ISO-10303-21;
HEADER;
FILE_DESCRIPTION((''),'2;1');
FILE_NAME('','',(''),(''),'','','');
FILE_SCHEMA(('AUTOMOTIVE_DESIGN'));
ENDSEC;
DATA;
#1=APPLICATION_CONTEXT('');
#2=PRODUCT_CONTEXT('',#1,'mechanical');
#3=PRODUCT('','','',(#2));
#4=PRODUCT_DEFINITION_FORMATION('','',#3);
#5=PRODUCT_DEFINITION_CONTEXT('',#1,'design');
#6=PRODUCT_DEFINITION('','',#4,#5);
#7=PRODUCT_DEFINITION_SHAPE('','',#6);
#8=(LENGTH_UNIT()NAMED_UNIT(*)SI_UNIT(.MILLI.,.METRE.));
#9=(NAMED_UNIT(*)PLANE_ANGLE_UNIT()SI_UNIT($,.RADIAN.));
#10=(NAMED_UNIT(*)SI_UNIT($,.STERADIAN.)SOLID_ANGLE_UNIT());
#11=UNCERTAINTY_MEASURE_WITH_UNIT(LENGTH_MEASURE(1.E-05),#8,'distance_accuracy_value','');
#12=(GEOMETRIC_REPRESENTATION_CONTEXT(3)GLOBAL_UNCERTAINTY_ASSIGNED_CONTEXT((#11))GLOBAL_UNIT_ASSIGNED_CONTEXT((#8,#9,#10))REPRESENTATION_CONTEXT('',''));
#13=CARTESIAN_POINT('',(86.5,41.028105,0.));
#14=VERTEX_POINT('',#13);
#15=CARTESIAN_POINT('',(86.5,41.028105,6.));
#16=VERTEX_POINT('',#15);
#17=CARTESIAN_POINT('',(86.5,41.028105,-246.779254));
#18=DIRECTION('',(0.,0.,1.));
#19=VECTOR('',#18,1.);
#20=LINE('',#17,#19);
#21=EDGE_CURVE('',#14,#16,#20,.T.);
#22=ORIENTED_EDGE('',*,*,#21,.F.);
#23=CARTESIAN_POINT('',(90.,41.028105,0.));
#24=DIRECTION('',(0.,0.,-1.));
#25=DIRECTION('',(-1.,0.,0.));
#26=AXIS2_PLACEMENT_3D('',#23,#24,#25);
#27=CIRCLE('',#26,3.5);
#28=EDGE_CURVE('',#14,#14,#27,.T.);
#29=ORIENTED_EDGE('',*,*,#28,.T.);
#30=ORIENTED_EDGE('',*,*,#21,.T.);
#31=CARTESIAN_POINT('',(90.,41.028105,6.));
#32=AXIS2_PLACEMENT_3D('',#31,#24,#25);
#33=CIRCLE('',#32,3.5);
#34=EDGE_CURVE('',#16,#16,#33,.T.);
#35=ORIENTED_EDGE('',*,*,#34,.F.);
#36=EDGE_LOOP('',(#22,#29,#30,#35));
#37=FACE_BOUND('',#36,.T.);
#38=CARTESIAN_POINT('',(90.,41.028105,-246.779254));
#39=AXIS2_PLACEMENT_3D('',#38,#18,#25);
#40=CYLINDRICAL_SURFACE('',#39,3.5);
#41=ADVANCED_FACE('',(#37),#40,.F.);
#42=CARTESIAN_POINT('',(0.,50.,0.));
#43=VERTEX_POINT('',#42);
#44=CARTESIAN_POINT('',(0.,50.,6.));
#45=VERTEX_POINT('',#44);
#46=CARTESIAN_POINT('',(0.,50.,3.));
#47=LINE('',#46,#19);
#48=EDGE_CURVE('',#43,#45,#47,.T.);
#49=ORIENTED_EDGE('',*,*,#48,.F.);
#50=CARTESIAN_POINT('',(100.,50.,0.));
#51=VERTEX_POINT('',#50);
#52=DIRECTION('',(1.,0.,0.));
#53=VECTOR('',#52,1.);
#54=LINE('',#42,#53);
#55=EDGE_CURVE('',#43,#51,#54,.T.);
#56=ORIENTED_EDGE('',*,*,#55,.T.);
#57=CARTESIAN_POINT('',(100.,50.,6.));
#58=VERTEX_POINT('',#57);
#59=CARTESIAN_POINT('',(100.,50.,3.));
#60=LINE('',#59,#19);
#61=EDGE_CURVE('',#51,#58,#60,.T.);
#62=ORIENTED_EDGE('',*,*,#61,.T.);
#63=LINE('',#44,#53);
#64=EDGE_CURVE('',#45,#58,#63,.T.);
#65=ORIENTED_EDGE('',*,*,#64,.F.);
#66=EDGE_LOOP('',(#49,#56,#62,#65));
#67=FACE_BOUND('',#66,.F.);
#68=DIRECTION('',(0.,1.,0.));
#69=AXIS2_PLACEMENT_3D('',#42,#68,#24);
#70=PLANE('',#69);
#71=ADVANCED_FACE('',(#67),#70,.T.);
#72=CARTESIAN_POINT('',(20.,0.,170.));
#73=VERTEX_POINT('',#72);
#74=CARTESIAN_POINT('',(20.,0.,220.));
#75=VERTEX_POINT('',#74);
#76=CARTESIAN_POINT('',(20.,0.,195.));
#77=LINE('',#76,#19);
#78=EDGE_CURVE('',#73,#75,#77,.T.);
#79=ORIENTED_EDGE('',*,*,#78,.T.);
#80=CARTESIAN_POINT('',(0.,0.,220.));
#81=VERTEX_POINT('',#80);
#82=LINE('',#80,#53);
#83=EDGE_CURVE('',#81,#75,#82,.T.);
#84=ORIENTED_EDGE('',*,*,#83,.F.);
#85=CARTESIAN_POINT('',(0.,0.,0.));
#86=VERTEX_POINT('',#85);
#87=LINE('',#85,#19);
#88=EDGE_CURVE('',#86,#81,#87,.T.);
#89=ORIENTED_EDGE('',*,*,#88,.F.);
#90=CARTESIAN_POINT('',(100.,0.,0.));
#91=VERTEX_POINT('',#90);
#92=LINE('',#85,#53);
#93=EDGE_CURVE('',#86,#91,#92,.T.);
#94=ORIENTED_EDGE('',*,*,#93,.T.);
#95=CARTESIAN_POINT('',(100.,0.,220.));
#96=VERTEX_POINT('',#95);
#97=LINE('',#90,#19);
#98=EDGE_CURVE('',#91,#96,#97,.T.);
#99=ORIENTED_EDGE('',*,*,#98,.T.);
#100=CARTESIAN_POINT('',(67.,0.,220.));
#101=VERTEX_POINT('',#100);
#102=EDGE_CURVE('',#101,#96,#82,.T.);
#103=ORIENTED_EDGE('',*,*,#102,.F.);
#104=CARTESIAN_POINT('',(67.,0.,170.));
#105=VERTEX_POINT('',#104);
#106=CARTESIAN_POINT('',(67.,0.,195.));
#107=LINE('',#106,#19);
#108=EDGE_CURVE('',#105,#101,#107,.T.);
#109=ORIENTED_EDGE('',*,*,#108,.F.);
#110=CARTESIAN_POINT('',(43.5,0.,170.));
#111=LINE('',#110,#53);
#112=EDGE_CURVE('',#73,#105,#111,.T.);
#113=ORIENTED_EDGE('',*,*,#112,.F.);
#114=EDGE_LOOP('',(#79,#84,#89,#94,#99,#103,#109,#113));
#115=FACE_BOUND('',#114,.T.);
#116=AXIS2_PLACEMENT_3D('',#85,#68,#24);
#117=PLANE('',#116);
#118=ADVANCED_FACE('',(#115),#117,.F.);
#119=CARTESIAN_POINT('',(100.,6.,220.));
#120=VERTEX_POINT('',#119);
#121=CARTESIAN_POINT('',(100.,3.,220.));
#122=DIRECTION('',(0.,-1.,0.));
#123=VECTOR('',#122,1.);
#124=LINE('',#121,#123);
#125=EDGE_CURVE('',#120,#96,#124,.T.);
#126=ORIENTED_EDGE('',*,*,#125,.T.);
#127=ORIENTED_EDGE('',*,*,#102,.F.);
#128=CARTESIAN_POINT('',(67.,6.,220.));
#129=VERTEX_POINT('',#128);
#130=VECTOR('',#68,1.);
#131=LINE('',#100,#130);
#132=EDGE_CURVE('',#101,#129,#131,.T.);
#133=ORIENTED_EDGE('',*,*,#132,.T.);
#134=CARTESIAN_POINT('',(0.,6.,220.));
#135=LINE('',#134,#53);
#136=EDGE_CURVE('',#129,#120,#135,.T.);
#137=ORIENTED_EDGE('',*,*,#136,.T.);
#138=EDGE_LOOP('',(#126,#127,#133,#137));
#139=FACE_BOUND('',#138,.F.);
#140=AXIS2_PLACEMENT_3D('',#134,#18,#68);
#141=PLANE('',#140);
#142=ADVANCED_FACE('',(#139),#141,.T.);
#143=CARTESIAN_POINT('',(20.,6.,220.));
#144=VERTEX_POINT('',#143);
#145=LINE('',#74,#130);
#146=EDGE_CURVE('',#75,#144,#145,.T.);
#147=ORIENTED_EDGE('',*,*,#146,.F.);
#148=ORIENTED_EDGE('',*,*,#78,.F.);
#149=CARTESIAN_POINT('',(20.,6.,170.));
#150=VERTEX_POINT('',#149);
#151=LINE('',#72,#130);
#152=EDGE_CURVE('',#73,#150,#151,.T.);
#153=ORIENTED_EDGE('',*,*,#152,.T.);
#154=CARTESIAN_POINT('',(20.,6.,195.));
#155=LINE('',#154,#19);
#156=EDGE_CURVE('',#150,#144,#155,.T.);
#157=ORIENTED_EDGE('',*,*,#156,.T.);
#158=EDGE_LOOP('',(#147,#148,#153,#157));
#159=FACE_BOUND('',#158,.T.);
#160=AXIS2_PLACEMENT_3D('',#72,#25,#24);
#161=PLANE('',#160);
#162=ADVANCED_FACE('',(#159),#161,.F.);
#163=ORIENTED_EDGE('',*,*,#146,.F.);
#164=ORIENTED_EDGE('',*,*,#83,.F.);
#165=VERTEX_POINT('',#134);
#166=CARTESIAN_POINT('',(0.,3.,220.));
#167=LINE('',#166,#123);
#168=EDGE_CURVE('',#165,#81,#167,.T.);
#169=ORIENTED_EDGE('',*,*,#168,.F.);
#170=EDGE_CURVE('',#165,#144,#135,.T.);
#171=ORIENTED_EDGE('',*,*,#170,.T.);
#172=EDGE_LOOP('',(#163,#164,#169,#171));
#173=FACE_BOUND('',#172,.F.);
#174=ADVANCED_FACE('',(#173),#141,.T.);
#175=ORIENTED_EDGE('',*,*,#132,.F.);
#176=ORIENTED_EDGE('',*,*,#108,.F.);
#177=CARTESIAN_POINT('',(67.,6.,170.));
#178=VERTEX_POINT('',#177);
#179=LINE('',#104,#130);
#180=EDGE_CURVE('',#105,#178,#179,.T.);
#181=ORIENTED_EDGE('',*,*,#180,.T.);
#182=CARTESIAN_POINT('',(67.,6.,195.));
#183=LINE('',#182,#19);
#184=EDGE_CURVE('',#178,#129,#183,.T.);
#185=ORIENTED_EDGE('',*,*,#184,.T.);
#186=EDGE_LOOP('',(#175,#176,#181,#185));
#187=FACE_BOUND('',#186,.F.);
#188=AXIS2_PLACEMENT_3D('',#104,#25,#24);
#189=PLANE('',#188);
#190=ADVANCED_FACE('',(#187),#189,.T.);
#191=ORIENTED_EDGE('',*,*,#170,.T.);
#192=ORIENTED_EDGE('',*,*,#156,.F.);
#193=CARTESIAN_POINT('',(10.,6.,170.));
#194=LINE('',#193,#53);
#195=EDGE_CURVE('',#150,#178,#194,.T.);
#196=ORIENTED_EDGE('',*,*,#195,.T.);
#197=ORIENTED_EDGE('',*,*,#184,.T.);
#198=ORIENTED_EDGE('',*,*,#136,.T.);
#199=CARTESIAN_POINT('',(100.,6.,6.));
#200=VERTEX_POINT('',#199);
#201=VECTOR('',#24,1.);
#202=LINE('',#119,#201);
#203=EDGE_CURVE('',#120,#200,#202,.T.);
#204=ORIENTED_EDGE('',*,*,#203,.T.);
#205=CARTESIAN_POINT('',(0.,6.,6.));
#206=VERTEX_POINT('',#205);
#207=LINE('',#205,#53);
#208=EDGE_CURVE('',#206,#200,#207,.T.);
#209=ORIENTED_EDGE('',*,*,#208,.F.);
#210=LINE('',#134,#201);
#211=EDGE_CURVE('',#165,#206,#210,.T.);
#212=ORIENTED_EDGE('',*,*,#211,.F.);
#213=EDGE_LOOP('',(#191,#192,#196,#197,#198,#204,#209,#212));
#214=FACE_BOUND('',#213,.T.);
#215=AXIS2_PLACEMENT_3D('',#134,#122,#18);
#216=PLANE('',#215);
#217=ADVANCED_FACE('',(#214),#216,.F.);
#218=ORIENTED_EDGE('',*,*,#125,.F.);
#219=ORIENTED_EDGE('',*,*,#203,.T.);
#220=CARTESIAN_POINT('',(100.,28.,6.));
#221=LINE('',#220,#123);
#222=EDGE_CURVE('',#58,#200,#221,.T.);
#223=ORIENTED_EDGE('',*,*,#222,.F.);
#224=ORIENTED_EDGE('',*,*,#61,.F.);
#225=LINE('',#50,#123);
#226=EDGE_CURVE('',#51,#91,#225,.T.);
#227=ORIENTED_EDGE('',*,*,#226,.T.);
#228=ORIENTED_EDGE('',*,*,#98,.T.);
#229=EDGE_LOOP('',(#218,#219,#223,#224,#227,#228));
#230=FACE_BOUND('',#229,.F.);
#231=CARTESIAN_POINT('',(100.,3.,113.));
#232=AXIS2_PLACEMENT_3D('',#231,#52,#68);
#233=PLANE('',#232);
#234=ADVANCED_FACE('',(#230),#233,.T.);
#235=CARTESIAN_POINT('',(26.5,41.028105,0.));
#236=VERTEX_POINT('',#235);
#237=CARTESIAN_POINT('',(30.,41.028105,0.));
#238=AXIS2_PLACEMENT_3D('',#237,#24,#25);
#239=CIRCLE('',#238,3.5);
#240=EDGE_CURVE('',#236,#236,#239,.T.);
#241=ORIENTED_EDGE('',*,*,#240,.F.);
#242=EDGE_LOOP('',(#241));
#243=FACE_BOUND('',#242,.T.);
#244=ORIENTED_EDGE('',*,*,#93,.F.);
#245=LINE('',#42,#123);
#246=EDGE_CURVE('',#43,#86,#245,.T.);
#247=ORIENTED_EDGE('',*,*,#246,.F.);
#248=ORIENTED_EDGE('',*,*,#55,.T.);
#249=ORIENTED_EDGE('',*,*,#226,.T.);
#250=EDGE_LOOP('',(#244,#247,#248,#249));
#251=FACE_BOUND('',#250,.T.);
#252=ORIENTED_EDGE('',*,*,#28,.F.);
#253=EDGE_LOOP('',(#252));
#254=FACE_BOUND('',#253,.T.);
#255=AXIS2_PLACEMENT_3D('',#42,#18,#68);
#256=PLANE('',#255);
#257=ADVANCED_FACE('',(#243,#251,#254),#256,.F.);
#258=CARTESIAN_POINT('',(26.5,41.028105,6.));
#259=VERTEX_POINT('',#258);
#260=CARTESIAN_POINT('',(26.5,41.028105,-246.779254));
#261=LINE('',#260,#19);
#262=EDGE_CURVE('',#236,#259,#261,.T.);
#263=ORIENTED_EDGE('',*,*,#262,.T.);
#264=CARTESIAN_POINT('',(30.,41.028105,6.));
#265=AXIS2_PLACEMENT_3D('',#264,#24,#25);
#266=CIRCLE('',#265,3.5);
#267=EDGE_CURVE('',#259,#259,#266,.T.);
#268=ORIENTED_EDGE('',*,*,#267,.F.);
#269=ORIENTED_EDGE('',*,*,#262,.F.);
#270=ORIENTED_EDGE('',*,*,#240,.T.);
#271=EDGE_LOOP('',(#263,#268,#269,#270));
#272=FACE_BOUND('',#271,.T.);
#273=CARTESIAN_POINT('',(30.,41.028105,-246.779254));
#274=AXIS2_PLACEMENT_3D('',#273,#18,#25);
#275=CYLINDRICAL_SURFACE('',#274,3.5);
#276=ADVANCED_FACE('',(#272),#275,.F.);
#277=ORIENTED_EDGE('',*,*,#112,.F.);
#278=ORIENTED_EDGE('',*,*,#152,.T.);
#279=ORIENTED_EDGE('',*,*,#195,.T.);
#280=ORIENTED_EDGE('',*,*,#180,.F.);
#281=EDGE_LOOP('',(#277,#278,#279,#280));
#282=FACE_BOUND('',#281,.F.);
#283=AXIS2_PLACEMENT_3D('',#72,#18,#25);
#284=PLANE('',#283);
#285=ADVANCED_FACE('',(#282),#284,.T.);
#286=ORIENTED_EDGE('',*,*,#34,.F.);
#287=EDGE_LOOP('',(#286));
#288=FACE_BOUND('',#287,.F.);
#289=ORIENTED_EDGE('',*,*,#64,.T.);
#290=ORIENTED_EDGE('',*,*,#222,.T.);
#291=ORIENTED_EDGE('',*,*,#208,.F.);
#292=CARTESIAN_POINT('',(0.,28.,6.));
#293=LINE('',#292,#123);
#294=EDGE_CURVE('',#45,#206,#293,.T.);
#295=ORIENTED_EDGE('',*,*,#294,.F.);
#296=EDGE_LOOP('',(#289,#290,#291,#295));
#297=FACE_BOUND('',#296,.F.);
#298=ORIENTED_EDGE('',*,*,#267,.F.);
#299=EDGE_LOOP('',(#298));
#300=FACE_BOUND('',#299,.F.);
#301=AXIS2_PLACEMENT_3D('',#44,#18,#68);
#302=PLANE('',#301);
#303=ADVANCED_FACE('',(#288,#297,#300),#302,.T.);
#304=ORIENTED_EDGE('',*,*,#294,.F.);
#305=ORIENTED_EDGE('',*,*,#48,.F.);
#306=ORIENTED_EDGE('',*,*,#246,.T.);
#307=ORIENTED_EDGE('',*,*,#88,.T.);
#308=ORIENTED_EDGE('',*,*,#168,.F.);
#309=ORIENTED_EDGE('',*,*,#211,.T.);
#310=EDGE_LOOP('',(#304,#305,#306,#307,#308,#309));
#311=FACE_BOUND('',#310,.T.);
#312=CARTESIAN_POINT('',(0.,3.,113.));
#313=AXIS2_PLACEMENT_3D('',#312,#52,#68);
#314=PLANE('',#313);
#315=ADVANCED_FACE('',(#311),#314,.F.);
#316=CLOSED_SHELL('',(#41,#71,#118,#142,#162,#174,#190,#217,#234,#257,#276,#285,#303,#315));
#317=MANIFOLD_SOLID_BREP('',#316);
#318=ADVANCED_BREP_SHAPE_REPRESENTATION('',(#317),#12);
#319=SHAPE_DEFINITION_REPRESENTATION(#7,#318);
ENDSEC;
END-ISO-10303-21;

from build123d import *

# Parameters (mm, degrees)
F0_W     = 6
F0_H     = 214
F0_H_2   = 6
F0_W_2   = 44
F1_DEPTH = 100
F3_D     = 7
F4_W     = 47
F4_H     = 50
F5_DEPTH = 25


with BuildPart() as f1:
    # F0 (on Right) → F1 (new body)
    with BuildSketch(Plane.YZ):
        with Locations((-3, 113)):
            Rectangle(F0_W, F0_H)
        with Locations((-3, 3)):
            Rectangle(F0_W, F0_H_2)
        with Locations((-28, 3)):
            Rectangle(F0_W_2, F0_H_2)
    extrude(amount=F1_DEPTH)

    # F3 (through all)
    with Locations(Plane(origin=(0, 0, 0), x_dir=(1, 0, 0), z_dir=(0, 0, -1))):
        with Locations((30, 41.0281047225), (90, 41.0281047225)):
            Hole(F3_D / 2)

    # F4 (on Front) → F5 (cut)
    with BuildSketch(Plane.XZ):
        with Locations((43.5, 195)):
            Rectangle(F4_W, F4_H)
    extrude(amount=F5_DEPTH, mode=Mode.SUBTRACT)


with BuildPart() as f6_1:
    # F6: instance of F1
    add(f1.part.mirror(Plane.XZ))


with BuildPart() as f8_1:
    # F8: instance of F1
    add(f1.part.mirror(Plane.XZ))


solid = f8_1.part
